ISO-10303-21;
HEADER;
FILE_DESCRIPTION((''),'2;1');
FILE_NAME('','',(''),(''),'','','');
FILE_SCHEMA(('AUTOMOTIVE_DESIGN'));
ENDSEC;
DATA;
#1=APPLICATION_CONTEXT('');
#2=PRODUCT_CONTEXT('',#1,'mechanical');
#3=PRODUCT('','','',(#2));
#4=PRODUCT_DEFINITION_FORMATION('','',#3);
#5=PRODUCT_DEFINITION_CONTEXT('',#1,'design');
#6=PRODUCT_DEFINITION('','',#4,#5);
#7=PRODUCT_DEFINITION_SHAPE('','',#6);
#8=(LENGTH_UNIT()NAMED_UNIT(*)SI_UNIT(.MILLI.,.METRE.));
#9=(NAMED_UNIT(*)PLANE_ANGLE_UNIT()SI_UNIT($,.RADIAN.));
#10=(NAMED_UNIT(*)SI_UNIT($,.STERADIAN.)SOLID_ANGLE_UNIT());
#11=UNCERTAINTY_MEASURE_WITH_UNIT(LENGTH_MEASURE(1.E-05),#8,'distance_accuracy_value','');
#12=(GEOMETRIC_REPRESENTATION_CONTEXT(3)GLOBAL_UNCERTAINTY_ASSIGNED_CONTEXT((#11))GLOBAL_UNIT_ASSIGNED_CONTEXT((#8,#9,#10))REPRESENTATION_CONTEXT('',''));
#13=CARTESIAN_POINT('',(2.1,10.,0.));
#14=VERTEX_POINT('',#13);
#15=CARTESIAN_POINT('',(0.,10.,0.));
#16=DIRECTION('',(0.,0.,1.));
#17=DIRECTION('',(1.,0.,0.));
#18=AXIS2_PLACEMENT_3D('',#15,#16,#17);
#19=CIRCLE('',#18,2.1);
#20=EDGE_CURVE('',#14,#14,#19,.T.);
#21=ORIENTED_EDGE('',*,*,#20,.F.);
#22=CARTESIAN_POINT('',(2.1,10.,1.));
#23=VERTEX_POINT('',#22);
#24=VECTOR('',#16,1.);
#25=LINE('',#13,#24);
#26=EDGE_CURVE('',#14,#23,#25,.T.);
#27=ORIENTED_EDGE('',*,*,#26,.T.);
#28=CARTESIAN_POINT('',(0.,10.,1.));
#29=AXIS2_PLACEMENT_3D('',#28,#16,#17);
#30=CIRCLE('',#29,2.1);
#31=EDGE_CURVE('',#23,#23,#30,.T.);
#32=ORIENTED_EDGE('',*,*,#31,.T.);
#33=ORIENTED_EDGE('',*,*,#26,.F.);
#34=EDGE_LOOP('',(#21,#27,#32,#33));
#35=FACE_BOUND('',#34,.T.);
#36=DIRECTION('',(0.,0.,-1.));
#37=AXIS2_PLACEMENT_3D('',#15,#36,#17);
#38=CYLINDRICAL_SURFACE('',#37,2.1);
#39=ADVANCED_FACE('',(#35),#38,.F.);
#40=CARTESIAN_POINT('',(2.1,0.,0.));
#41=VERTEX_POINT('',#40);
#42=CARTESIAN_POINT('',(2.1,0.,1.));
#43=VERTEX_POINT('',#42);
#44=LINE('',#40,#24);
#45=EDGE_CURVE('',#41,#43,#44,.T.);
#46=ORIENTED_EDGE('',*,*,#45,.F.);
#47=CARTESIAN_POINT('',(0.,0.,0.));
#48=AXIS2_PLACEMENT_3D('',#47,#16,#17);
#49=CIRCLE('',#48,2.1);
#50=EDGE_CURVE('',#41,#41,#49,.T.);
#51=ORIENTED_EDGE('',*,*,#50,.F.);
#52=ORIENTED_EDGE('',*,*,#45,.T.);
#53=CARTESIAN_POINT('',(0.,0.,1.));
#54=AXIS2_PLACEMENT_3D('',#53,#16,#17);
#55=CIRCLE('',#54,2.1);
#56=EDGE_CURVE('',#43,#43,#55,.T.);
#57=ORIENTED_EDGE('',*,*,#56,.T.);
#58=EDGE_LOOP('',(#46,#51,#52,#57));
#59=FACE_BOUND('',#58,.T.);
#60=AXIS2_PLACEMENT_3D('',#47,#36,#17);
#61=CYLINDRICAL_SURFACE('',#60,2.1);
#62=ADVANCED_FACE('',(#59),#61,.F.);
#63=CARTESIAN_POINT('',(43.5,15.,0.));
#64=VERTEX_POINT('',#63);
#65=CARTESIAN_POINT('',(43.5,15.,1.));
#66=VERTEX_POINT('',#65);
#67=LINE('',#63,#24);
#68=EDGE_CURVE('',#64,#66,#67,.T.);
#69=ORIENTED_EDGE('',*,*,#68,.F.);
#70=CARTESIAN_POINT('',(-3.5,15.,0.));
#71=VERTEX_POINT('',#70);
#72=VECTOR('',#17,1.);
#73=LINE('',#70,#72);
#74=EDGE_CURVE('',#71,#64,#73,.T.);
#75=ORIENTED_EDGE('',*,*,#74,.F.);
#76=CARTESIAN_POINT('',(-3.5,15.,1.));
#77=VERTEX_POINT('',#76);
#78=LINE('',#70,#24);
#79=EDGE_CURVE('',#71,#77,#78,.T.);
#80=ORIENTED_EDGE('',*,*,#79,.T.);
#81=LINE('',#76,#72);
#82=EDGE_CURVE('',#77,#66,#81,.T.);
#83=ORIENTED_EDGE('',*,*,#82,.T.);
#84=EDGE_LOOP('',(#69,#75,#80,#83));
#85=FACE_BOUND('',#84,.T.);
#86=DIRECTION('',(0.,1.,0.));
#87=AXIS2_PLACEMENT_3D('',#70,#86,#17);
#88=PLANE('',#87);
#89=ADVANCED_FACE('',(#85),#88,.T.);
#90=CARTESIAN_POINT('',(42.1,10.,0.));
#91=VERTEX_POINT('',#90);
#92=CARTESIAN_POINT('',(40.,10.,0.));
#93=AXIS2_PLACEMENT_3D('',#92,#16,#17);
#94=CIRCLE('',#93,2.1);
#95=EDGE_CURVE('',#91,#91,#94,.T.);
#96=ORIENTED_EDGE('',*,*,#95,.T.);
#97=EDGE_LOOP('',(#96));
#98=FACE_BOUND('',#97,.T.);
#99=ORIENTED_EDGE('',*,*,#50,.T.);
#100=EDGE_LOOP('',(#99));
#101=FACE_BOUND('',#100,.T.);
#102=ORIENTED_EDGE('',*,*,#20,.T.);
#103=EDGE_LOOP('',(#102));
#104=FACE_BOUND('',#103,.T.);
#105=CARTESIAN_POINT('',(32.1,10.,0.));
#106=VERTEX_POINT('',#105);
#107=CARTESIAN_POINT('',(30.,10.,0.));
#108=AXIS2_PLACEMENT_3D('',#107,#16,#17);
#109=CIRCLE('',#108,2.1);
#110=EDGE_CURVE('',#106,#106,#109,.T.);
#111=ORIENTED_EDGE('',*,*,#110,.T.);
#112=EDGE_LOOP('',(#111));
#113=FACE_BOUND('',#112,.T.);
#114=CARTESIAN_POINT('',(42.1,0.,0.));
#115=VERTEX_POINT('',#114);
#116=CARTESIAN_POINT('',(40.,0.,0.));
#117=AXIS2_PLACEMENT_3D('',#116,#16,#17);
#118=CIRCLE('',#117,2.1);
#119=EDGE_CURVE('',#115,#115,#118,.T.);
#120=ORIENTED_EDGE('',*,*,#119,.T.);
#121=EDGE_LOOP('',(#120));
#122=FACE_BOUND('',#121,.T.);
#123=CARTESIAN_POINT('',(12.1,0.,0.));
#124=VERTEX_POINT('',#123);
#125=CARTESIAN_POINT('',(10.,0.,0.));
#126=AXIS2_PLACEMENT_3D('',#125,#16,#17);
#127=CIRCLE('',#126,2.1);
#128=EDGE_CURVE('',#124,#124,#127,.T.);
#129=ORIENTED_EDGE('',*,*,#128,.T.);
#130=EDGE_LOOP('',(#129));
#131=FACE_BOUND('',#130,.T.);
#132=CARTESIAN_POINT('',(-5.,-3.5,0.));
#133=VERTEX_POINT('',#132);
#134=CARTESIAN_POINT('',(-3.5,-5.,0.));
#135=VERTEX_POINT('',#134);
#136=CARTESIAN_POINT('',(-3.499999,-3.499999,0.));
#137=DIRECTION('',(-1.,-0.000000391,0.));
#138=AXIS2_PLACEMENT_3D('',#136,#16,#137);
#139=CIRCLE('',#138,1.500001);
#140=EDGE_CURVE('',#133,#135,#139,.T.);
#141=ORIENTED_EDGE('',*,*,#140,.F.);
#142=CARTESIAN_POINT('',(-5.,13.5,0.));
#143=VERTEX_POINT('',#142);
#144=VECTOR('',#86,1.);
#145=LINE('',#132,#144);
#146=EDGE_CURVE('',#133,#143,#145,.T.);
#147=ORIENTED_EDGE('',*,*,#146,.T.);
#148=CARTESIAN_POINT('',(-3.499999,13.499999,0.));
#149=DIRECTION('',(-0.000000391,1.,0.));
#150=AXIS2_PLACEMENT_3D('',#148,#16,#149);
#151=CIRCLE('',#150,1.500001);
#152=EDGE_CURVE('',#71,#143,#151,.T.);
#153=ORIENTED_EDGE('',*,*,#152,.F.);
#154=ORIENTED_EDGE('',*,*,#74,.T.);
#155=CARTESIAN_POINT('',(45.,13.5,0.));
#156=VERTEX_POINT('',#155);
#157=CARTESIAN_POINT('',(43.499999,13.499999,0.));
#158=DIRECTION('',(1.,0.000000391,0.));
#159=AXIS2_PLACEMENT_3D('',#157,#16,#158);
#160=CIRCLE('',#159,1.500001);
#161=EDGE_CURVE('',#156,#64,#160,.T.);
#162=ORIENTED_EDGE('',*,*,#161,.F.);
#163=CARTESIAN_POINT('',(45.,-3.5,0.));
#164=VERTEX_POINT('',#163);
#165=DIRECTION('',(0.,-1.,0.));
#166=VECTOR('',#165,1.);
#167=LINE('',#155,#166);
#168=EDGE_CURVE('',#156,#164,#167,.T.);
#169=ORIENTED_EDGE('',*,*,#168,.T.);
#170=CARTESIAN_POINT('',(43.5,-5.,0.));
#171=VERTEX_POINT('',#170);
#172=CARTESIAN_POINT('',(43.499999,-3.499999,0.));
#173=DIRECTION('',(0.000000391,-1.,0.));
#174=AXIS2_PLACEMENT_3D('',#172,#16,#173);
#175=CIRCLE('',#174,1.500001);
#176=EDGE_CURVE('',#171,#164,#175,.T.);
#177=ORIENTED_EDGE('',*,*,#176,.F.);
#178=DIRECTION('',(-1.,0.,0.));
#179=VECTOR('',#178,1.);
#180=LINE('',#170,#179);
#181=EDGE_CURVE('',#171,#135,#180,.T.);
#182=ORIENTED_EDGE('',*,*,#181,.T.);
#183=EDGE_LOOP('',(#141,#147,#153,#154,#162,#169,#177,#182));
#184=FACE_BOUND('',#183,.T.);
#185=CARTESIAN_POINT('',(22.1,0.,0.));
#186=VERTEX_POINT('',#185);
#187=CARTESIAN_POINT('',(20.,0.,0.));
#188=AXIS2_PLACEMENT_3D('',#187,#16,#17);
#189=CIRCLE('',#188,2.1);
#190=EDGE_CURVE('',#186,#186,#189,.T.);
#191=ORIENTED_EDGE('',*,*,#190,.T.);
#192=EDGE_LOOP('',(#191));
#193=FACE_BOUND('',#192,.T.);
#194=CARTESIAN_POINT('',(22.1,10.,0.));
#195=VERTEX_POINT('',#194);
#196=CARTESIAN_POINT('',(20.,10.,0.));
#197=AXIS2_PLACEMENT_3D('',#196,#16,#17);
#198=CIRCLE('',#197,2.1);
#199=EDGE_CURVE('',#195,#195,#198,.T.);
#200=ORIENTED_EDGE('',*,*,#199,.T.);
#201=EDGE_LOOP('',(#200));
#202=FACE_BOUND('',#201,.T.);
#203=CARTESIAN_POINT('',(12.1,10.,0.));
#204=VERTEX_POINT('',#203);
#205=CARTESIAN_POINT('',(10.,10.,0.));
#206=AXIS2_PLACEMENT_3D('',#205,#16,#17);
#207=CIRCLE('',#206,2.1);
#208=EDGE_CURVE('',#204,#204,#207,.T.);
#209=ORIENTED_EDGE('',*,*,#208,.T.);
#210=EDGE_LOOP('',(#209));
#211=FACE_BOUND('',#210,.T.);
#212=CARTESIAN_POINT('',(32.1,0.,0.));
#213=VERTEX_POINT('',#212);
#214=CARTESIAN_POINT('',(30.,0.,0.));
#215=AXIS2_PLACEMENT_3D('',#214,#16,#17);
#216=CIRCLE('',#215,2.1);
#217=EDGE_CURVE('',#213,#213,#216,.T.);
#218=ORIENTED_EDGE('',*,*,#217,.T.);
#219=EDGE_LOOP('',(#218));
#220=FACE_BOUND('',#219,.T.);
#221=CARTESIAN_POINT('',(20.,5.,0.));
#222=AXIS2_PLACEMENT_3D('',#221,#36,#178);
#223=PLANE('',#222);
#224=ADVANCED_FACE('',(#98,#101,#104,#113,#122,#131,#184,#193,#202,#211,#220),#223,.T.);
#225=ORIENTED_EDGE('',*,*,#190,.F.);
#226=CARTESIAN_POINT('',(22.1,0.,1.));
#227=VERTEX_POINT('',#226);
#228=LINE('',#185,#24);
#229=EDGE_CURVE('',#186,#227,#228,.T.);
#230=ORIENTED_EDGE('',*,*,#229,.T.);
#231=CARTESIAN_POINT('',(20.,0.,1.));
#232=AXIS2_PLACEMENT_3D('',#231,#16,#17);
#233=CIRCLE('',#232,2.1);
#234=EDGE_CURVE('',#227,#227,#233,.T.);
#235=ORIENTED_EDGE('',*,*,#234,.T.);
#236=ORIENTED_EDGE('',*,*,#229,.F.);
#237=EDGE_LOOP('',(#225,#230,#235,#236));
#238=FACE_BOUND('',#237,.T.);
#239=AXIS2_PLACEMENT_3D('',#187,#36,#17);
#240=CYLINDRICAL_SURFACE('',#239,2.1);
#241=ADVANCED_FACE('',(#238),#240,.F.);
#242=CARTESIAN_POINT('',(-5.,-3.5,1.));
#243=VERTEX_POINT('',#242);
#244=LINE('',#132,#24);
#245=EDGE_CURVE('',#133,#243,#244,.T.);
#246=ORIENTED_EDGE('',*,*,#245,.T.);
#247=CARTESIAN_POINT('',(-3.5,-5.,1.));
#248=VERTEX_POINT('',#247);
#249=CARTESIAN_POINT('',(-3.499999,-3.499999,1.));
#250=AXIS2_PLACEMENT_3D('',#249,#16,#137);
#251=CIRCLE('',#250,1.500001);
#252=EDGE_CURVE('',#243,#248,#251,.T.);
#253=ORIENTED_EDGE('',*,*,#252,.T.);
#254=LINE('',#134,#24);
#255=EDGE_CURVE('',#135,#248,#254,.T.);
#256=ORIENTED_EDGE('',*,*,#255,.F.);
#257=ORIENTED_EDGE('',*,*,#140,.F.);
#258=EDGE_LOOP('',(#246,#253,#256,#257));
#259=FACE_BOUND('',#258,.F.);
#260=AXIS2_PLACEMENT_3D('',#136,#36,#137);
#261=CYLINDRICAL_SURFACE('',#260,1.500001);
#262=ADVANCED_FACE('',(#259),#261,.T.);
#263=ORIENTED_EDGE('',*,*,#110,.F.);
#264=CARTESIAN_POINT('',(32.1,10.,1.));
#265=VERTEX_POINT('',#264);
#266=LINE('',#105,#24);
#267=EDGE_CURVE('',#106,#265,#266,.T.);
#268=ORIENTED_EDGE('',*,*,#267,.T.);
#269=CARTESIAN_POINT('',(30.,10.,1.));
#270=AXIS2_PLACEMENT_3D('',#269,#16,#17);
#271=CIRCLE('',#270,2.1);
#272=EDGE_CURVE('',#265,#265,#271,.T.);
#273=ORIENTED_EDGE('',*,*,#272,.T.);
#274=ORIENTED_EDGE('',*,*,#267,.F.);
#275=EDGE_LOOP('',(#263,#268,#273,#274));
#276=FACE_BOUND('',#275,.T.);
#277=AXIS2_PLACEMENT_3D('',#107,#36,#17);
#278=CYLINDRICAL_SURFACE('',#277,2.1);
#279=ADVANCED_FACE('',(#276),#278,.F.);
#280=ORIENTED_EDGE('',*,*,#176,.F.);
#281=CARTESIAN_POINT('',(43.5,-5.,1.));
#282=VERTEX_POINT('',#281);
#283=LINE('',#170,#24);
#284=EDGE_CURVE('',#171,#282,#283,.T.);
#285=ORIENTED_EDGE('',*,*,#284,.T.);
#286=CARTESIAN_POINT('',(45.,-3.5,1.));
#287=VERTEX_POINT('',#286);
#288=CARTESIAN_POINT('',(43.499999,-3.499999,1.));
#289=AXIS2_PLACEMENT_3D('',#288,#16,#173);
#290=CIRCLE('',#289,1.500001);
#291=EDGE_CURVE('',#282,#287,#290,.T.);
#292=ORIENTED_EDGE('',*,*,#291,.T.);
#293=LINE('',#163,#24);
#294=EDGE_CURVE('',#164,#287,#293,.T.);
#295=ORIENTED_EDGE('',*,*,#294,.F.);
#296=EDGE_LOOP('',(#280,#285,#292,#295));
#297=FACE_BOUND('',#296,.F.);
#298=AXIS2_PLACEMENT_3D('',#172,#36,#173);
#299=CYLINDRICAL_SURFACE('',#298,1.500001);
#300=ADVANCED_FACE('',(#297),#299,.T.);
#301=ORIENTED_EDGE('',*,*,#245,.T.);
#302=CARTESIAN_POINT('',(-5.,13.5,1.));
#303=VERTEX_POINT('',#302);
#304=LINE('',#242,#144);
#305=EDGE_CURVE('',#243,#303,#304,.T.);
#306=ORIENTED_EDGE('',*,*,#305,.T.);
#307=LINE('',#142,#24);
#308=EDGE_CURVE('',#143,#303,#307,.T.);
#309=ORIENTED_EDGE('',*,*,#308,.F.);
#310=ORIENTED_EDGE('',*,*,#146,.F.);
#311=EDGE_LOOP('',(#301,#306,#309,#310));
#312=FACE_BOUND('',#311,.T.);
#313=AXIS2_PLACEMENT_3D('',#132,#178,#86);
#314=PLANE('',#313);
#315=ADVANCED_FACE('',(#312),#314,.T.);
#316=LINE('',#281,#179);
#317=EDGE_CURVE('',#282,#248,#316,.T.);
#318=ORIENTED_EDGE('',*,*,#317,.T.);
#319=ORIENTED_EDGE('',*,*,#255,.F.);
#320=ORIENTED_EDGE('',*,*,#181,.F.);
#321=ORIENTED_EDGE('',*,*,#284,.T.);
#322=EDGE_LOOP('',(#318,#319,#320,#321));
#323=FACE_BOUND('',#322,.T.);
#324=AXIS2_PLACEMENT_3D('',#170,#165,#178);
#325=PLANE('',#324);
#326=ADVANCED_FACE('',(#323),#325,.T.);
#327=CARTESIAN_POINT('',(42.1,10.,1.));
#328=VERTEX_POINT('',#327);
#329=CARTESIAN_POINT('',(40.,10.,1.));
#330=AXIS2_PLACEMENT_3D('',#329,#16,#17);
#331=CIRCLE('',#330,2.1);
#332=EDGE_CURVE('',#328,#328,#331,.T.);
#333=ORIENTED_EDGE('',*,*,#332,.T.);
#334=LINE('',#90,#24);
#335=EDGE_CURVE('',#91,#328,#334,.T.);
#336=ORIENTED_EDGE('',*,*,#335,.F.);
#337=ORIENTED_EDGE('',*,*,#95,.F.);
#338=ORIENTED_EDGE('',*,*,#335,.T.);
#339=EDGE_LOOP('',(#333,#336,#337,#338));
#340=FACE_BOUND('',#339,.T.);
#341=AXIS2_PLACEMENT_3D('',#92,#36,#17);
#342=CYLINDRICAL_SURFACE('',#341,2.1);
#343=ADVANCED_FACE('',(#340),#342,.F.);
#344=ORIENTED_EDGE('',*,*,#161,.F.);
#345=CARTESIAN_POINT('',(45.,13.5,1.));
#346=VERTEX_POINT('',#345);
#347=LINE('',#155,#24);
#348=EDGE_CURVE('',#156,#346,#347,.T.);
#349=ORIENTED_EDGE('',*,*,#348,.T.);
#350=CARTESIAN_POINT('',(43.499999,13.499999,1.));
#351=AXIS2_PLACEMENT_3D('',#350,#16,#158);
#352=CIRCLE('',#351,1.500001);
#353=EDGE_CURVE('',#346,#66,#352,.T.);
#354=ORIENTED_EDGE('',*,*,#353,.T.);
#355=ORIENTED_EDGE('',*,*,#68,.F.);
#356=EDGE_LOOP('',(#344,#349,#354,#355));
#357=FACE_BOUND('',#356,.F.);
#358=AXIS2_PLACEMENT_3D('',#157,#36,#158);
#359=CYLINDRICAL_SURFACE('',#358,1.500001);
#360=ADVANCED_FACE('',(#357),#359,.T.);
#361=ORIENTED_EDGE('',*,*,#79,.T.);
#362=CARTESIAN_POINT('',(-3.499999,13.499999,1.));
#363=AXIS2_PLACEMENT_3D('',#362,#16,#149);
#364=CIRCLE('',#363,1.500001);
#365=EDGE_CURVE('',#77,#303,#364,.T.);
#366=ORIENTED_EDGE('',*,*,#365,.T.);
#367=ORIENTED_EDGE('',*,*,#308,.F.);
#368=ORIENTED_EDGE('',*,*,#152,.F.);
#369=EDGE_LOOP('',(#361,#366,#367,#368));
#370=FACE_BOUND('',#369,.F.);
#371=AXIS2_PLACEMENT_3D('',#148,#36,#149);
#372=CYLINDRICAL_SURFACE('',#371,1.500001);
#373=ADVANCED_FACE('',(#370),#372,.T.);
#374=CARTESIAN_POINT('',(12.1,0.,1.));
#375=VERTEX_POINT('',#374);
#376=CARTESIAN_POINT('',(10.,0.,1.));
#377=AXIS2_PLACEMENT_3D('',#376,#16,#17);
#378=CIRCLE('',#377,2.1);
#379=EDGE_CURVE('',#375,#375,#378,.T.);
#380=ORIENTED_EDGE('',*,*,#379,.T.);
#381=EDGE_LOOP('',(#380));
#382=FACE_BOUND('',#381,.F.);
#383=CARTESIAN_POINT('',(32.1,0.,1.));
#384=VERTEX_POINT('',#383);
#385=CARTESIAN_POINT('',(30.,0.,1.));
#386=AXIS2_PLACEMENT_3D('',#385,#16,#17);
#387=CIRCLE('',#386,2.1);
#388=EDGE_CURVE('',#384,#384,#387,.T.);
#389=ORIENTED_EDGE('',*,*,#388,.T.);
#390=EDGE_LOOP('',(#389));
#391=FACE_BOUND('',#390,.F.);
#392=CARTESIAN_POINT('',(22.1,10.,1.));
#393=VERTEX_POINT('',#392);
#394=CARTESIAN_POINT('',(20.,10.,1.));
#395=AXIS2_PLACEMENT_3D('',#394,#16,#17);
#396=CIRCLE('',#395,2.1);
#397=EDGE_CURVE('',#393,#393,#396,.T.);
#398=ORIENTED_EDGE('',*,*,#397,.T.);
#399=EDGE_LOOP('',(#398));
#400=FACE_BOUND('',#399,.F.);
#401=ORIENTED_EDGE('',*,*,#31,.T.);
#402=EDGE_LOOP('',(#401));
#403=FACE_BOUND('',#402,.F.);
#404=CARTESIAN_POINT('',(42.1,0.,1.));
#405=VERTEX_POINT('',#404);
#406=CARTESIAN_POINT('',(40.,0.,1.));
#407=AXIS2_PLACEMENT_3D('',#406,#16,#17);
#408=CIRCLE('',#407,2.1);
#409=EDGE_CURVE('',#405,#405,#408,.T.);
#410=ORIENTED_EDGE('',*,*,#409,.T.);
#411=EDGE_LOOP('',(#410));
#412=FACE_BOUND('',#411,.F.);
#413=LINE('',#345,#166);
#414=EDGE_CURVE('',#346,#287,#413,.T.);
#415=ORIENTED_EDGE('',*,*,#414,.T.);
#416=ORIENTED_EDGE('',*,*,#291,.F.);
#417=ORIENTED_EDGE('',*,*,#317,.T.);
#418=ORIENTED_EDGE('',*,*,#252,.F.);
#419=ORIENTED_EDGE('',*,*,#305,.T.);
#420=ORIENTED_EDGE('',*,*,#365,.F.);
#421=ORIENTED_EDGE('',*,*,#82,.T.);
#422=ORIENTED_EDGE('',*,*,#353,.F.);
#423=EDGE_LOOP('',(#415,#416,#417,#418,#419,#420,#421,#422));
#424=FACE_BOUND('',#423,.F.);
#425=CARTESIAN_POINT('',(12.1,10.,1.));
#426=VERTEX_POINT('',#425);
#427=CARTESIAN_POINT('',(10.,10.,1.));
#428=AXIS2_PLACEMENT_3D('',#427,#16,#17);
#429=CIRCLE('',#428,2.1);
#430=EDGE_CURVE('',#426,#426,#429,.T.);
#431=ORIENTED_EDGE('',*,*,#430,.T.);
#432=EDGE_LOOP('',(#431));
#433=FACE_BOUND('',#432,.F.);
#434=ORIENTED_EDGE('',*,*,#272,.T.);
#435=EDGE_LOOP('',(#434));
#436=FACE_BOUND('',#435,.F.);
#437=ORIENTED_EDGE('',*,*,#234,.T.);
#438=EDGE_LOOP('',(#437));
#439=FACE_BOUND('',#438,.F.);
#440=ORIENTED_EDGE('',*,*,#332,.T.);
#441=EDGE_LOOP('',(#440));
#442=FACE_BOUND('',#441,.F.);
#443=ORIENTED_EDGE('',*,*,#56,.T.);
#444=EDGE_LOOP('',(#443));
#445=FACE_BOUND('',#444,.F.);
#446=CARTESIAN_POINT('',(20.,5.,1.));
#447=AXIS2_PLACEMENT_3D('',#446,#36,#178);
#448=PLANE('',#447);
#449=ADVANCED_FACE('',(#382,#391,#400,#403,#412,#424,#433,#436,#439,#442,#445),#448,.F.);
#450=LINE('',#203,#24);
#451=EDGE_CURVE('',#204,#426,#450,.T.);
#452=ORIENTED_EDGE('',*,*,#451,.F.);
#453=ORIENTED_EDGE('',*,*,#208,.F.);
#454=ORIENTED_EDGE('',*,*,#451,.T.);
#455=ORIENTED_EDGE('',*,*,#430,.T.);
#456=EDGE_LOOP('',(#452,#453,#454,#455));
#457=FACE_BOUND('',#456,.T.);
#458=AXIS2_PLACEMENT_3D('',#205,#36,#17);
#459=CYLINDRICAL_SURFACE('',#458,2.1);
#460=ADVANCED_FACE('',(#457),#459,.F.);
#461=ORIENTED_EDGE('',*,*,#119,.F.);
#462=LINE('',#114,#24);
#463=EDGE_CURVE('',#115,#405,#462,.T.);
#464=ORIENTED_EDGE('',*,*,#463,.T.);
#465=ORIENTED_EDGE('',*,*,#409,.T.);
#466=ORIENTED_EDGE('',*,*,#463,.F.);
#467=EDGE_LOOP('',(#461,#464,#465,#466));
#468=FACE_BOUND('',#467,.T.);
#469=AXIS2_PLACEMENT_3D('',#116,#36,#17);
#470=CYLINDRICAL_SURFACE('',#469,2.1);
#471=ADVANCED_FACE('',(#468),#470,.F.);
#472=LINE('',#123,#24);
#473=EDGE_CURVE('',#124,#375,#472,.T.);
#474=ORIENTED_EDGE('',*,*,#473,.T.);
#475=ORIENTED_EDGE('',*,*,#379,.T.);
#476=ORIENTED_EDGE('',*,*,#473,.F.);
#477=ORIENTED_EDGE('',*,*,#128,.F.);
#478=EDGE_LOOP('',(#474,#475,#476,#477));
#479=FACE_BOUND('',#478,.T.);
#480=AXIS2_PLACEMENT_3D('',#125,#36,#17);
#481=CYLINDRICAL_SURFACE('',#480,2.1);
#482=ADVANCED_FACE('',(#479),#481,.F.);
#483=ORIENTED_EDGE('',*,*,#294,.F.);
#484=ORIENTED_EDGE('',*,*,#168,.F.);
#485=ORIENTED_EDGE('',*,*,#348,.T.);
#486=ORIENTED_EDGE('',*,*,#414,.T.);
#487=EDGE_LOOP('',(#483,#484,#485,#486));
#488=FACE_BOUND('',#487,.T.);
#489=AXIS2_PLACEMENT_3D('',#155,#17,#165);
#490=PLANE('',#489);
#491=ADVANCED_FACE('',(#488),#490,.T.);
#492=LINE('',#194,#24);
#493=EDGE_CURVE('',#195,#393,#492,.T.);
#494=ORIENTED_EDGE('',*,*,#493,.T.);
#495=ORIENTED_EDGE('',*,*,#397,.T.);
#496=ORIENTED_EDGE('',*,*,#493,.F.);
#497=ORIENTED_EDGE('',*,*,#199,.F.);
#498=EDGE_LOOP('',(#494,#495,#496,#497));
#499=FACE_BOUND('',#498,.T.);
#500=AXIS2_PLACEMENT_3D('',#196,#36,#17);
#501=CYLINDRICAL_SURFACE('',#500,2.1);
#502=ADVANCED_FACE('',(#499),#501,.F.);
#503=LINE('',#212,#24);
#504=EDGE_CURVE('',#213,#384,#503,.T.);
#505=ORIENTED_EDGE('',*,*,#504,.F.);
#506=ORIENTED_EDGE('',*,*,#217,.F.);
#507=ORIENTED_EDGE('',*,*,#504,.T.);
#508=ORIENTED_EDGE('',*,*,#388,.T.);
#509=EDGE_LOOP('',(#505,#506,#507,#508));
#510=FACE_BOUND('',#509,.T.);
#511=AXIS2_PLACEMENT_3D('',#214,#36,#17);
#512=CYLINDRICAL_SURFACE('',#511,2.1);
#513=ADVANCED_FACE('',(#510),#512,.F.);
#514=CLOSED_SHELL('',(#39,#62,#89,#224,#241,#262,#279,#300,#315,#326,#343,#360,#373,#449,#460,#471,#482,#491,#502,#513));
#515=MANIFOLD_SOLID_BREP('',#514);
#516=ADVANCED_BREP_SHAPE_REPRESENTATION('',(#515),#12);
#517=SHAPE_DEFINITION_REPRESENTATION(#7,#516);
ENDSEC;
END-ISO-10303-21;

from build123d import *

# Parameters (mm, degrees)
SKETCH_R  = 2.1
PAD_DEPTH = 1


with BuildPart() as part:
    # Sketch → Pad (new body)
    with BuildSketch(Plane.XY):
        with BuildLine():
            Line((-3.5, 15), (43.5, 15))
            ThreePointArc((45, 13.5), (44.56066, 14.56066), (43.5, 15))
            Line((45, 13.5), (45, -3.5))
            ThreePointArc((43.5, -5), (44.56066, -4.56066), (45, -3.5))
            Line((43.5, -5), (-3.5, -5))
            ThreePointArc((-5, -3.5), (-4.56066, -4.56066), (-3.5, -5))
            Line((-5, -3.5), (-5, 13.5))
            ThreePointArc((-3.5, 15), (-4.56066, 14.56066), (-5, 13.5))
        make_face()
        Circle(SKETCH_R, mode=Mode.SUBTRACT)
        with Locations((0, 10)):
            Circle(SKETCH_R, mode=Mode.SUBTRACT)
        with Locations((10, 0)):
            Circle(SKETCH_R, mode=Mode.SUBTRACT)
        with Locations((20, 0)):
            Circle(SKETCH_R, mode=Mode.SUBTRACT)
        with Locations((30, 0)):
            Circle(SKETCH_R, mode=Mode.SUBTRACT)
        with Locations((40, 0)):
            Circle(SKETCH_R, mode=Mode.SUBTRACT)
        with Locations((10, 10)):
            Circle(SKETCH_R, mode=Mode.SUBTRACT)
        with Locations((20, 10)):
            Circle(SKETCH_R, mode=Mode.SUBTRACT)
        with Locations((30, 10)):
            Circle(SKETCH_R, mode=Mode.SUBTRACT)
        with Locations((40, 10)):
            Circle(SKETCH_R, mode=Mode.SUBTRACT)
    extrude(amount=PAD_DEPTH)


solid = part.part
